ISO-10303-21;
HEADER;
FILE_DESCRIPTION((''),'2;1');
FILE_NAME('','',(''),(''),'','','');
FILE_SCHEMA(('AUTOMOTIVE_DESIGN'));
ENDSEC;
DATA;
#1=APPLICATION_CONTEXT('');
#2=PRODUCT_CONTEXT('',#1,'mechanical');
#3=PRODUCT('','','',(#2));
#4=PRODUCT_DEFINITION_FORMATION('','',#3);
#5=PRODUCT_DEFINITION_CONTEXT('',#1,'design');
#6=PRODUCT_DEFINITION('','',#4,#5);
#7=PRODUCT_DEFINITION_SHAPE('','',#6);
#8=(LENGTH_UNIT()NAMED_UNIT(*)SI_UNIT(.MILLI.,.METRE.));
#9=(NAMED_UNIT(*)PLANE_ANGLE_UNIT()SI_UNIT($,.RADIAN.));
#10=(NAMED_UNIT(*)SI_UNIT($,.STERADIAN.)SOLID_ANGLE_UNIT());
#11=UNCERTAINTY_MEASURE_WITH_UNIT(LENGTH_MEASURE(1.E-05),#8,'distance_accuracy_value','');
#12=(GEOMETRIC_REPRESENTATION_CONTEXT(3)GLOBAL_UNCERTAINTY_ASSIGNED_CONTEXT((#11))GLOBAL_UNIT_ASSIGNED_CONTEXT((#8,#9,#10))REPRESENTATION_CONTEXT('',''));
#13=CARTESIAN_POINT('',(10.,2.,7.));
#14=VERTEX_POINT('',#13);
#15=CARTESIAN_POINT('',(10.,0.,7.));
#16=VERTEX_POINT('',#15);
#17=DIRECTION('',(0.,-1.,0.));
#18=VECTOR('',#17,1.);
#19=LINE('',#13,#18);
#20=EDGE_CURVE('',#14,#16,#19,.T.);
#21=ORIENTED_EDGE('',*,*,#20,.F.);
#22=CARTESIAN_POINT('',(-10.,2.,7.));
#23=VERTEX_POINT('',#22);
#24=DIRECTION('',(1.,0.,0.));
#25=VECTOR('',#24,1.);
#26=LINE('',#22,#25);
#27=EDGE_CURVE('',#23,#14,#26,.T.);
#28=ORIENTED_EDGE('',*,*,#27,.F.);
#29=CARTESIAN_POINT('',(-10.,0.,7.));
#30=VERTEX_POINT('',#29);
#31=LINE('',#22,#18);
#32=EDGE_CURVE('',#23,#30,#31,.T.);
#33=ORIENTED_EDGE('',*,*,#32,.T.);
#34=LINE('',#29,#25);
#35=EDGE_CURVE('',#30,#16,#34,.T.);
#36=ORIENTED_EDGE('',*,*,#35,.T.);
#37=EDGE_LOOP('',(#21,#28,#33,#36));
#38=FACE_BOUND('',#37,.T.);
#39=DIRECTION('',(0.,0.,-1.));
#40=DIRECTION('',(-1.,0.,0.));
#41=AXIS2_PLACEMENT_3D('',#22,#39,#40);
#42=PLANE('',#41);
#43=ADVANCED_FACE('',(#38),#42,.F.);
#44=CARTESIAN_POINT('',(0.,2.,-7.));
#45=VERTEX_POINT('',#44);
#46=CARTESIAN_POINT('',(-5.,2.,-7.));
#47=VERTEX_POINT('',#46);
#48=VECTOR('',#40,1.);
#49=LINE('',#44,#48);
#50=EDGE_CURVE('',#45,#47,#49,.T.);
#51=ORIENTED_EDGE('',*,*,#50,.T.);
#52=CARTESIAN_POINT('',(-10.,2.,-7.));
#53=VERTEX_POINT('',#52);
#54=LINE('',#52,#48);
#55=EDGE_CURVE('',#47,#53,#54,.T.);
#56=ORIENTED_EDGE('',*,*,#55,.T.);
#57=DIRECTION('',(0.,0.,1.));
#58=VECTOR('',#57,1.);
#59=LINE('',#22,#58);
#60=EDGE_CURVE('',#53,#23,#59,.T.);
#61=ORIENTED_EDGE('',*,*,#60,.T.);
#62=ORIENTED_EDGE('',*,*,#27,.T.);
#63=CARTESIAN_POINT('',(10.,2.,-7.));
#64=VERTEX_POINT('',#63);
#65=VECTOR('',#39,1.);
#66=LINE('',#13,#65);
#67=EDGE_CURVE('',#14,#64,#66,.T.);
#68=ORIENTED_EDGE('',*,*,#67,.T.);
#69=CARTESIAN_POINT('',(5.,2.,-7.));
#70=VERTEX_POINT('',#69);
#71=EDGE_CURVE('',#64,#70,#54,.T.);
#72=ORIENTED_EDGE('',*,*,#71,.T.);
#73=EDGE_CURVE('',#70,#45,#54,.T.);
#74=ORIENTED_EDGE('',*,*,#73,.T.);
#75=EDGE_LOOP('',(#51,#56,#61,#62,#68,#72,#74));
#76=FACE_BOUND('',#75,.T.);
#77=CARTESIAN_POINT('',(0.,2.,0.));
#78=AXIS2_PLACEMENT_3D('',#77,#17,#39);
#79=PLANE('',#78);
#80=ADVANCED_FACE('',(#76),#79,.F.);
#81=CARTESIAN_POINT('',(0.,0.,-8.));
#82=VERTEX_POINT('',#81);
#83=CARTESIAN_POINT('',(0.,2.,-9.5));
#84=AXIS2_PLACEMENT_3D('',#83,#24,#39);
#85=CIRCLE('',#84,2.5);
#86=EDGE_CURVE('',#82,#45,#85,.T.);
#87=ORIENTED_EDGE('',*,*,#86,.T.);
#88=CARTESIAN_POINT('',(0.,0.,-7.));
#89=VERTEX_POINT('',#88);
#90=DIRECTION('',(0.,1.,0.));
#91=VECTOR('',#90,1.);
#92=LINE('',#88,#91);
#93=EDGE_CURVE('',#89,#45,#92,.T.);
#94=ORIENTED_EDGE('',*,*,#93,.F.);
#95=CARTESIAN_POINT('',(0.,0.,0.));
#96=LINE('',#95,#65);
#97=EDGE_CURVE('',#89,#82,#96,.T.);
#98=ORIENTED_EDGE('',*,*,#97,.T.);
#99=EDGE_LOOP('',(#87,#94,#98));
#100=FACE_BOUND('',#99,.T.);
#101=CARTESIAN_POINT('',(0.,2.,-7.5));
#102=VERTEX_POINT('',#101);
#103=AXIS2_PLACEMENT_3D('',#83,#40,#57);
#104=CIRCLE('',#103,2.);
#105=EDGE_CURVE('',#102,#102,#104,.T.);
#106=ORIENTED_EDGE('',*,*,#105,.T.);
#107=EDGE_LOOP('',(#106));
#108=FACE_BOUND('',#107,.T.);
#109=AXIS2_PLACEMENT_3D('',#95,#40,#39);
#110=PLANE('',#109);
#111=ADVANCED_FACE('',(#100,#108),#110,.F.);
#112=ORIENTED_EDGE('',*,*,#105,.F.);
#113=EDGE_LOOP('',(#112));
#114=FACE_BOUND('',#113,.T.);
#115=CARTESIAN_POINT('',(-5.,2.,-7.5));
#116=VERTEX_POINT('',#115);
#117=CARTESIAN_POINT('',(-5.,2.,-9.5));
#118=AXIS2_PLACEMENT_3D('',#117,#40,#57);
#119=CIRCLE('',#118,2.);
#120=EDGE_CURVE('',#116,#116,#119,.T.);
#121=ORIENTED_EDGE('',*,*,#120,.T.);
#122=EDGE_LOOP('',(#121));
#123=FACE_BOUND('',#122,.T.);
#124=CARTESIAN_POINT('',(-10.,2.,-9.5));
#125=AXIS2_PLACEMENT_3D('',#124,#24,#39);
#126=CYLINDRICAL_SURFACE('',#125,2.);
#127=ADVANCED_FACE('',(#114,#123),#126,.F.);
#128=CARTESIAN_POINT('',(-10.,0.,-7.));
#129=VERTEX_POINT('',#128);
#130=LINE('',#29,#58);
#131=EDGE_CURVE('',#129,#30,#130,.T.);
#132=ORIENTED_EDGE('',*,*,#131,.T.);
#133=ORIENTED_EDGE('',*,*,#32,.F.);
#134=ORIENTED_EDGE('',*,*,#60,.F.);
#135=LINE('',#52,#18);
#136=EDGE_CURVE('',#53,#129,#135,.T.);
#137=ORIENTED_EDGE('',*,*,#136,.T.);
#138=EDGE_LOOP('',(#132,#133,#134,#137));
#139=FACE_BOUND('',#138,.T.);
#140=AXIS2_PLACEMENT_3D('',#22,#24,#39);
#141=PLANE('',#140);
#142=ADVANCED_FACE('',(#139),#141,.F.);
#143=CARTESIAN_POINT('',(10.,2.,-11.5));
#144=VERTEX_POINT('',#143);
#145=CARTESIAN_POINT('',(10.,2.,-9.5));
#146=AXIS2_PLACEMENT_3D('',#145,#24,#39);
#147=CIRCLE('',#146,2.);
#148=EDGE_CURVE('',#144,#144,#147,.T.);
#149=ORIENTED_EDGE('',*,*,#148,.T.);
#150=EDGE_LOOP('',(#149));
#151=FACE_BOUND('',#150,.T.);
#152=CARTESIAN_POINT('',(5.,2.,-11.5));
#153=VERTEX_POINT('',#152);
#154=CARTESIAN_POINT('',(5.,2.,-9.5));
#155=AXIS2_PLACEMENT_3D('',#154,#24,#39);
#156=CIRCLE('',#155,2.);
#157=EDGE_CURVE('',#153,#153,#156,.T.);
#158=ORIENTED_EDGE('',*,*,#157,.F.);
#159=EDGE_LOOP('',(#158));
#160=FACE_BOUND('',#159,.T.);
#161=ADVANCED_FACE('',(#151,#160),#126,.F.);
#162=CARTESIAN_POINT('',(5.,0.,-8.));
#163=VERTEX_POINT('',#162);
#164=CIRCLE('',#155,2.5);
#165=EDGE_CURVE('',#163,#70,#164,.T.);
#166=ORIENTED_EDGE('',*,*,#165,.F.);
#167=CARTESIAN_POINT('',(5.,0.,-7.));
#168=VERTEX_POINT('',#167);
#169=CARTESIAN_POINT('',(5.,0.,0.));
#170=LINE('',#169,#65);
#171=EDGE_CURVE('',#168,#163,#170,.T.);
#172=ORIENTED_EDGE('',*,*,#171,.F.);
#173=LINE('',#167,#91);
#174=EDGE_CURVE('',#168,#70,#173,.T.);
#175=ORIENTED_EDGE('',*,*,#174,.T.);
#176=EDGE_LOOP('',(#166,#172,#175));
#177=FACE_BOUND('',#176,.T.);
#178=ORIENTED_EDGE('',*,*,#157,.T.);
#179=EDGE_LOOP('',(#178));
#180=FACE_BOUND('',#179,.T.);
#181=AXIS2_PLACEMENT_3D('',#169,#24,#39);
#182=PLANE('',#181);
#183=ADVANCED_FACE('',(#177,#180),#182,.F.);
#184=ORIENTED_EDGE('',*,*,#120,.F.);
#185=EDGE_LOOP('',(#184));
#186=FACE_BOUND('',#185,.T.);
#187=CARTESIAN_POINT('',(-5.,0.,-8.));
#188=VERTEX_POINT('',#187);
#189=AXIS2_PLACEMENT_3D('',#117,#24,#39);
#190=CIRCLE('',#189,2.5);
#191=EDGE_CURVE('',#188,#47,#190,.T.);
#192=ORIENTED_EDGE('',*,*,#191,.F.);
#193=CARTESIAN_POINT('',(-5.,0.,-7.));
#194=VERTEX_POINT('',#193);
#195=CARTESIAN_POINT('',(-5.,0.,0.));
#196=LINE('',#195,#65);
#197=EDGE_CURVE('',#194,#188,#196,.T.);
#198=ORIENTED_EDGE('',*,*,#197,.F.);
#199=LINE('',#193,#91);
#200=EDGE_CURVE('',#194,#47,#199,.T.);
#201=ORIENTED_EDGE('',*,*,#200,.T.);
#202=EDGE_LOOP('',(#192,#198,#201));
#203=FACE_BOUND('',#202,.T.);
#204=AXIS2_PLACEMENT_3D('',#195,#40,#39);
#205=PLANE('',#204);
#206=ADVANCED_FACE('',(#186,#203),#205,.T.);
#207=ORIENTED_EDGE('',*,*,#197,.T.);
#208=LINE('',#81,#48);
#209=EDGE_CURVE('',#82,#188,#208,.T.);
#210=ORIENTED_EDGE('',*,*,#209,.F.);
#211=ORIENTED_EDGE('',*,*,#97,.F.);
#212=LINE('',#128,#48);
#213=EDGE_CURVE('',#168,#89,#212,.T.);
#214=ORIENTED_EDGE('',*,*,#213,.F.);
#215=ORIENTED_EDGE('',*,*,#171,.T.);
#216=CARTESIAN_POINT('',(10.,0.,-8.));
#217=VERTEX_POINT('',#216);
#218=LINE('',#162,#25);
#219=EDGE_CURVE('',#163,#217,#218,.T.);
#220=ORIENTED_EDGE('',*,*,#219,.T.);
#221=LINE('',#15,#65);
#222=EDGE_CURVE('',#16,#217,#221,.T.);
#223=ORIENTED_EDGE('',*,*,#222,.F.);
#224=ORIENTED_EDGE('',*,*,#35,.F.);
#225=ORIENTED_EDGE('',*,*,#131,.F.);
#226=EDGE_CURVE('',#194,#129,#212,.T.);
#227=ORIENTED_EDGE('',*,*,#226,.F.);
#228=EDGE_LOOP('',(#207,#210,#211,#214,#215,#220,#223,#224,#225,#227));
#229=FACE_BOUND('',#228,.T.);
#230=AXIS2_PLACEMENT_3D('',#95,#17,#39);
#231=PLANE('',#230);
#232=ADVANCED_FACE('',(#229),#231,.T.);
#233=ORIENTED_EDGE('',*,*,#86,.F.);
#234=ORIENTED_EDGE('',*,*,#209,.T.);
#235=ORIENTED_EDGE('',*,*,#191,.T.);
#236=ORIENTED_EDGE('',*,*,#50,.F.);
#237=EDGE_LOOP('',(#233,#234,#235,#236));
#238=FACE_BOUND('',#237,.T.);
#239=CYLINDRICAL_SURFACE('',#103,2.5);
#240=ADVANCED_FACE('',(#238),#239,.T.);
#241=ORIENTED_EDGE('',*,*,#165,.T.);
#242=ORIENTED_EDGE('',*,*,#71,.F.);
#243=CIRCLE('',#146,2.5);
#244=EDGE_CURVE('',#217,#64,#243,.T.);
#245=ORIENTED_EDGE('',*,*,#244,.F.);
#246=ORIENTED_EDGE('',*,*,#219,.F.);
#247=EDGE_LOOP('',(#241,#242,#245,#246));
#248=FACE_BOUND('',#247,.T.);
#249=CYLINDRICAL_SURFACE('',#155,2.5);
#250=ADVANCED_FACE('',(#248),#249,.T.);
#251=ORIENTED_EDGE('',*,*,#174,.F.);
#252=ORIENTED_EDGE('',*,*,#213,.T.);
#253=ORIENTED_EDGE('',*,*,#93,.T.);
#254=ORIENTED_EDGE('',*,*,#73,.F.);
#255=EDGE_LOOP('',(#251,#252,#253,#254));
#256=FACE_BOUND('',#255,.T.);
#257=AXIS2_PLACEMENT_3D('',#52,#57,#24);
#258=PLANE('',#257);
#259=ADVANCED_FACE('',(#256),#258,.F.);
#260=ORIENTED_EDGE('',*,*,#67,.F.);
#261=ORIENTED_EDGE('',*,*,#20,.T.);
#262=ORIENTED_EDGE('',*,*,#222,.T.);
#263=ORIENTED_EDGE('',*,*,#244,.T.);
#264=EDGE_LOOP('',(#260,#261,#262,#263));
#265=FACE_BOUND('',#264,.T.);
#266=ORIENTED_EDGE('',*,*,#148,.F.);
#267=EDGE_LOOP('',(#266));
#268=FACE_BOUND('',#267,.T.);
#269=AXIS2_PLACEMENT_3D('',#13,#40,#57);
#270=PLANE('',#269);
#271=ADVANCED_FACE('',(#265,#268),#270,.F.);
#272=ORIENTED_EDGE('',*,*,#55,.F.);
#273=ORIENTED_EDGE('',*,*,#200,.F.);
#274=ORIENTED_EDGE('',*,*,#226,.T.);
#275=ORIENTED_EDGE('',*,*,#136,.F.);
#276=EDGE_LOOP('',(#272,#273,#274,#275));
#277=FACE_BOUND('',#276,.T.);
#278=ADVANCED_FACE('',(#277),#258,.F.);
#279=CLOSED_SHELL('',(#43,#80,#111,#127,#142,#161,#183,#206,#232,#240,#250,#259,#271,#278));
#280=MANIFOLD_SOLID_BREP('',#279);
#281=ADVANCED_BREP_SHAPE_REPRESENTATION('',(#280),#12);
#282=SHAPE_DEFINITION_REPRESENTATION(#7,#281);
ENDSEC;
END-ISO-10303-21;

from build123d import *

# Parameters (mm, degrees)
SKETCH2_W           = 20
SKETCH2_H           = 14
BOSS_EXTRUDE2_DEPTH = 2
BOSS_EXTRUDE3_DEPTH = 5
SKETCH4_R           = 2
CUT_EXTRUDE1_DEPTH  = 21


with BuildPart() as part:
    # Sketch2 → Boss-Extrude2 (new body)
    with BuildSketch(Plane(origin=(0, 0, 0), x_dir=(1, 0, 0), z_dir=(0, 1, 0))):
        Rectangle(SKETCH2_W, SKETCH2_H)
    extrude(amount=BOSS_EXTRUDE2_DEPTH)

    # Sketch3 → Boss-Extrude3 (add)
    with BuildSketch(Plane(origin=(10, 0, 0), x_dir=(0, 0, -1), z_dir=(1, 0, 0))):
        with BuildLine():
            Line((12, 2), (7, 2))
            Line((7, 2), (7, 0))
            Line((7, 0), (8, 0))
            ThreePointArc((8, 0), (10.618033989, -0.236067977), (12, 2))
        make_face()
        with BuildLine():
            ThreePointArc((12, 2), (9.5, 4.5), (7, 2))
            Line((7, 2), (12, 2))
        make_face()
    boss_extrude3 = extrude(amount=-BOSS_EXTRUDE3_DEPTH)

    # Mirror1: Boss-Extrude3 across plane
    add(boss_extrude3.mirror(Plane.ZY.offset(-2.5)))

    # Sketch4 → Cut-Extrude1 (cut, through all)
    with BuildSketch(Plane(origin=(10, 0, 0), x_dir=(0, 0, -1), z_dir=(1, 0, 0))):
        with Locations((9.5, 2)):
            Circle(SKETCH4_R)
    extrude(amount=-CUT_EXTRUDE1_DEPTH, mode=Mode.SUBTRACT)


solid = part.part
